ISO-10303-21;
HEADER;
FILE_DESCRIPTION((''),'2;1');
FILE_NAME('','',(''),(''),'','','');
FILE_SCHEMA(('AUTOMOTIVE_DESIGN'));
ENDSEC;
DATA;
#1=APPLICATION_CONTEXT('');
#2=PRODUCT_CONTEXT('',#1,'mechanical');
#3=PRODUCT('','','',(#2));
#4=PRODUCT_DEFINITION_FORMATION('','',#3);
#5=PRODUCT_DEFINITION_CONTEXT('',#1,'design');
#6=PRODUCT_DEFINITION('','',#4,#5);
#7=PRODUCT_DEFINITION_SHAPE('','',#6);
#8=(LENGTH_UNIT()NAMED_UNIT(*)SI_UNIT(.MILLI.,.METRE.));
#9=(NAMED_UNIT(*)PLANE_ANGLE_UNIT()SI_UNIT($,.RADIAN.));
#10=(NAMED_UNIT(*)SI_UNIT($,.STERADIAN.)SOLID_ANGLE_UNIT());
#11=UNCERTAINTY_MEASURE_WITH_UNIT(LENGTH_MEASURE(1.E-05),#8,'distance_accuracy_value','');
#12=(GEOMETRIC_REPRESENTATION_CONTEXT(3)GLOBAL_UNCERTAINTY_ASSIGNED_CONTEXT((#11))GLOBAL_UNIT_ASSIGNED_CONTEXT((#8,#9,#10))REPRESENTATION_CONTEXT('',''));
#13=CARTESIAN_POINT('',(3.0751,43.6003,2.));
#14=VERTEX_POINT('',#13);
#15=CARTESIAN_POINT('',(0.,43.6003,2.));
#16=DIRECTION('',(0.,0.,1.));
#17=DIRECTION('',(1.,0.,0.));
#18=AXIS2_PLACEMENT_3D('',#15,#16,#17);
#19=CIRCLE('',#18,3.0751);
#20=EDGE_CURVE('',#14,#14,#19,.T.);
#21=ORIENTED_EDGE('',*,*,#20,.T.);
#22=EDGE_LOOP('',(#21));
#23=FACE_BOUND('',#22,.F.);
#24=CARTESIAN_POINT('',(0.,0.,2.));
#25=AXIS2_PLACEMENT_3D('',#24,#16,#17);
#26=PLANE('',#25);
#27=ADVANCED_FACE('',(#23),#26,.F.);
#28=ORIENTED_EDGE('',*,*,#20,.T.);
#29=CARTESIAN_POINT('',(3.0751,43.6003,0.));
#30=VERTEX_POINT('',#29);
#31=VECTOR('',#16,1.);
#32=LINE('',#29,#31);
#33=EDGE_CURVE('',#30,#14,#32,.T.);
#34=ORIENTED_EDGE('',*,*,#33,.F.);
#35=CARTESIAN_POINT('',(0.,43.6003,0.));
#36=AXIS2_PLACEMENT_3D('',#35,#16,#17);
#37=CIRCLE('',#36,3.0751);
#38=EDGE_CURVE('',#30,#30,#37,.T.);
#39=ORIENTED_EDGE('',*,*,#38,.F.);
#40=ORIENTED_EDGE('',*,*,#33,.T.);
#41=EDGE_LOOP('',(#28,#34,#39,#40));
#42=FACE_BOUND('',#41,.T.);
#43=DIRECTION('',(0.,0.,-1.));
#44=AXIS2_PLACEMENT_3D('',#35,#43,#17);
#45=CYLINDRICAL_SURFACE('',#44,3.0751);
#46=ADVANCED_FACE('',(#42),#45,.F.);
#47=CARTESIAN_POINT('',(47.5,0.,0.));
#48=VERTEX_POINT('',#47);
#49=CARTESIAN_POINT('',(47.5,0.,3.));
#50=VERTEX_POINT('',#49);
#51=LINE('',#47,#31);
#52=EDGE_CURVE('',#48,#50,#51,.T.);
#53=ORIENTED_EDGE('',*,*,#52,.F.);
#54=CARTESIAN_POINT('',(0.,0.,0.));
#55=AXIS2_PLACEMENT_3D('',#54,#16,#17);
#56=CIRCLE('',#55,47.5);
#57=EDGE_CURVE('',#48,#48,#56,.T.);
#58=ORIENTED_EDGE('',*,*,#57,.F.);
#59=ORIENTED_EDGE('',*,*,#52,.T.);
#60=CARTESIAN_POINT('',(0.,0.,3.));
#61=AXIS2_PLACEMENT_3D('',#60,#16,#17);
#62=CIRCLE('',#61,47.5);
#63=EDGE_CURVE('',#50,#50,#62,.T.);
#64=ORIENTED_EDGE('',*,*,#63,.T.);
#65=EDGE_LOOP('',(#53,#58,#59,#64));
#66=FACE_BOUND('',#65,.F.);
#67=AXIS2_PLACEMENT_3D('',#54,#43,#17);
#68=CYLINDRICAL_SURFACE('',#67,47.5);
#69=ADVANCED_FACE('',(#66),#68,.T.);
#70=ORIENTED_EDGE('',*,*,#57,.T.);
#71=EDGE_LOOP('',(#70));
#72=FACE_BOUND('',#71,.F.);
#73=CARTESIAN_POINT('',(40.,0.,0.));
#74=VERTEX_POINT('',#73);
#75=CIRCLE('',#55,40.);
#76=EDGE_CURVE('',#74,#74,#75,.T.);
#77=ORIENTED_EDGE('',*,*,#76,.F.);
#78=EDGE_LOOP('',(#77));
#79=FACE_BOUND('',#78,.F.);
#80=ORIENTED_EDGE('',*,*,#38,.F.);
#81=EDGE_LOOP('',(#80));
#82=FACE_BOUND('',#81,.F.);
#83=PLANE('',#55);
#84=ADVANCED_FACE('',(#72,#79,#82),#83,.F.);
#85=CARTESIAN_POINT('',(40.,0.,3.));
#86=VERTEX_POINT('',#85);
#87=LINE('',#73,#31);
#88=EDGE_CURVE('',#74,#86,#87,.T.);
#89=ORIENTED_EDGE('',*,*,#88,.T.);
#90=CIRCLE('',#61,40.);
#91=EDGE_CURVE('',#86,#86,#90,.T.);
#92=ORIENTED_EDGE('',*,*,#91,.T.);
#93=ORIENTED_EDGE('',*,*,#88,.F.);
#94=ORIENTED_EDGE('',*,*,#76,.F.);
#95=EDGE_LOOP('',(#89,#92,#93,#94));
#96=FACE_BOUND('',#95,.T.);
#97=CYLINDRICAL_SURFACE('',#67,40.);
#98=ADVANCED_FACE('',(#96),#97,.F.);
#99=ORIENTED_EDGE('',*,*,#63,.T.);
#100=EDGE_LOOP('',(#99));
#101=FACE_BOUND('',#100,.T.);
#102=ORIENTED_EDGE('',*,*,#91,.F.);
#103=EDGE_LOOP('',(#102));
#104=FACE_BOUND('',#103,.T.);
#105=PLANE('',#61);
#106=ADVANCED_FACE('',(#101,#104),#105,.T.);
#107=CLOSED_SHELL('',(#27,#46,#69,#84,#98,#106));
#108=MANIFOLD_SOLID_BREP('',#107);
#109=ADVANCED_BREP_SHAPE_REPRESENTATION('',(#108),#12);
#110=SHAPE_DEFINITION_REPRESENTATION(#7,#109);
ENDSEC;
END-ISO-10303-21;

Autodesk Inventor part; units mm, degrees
ref_plane "YZ Plane" through (0, 0, 0) normal (1, 0, 0) x (0, 1, 0)
ref_plane "XZ Plane" through (0, 0, 0) normal (0, 1, 0) x (-1, 0, 0)
ref_plane "XY Plane" through (0, 0, 0) normal (0, 0, 1) x (1, 0, 0)
sketch "Esquisse1" plane through (0, 0, 0) normal (0, 0, 1) x (1, 0, 0)
  circle A0 centre (0, 0) radius 47.5
  circle A1 centre (0, 0) radius 40
  point P0 (0, 45)
  point P1 (0, 47.5)
  dimension "d0" = 95
  dimension "d1" = 80
  dimension "d2" = 2.5
sketch "Esquisse2" plane through (0, 0, 0) normal (0, 0, 1) x (1, 0, 0)
  circle A0 centre (0, 43.6003) radius 3.0751
  point P0 (0, 0)
extrude "Extrusion1" add sketch "Esquisse1" along normal blind 3
extrude "Extrusion2" cut sketch "Esquisse2" along normal blind 2
properties part number "Medio Circulo"
